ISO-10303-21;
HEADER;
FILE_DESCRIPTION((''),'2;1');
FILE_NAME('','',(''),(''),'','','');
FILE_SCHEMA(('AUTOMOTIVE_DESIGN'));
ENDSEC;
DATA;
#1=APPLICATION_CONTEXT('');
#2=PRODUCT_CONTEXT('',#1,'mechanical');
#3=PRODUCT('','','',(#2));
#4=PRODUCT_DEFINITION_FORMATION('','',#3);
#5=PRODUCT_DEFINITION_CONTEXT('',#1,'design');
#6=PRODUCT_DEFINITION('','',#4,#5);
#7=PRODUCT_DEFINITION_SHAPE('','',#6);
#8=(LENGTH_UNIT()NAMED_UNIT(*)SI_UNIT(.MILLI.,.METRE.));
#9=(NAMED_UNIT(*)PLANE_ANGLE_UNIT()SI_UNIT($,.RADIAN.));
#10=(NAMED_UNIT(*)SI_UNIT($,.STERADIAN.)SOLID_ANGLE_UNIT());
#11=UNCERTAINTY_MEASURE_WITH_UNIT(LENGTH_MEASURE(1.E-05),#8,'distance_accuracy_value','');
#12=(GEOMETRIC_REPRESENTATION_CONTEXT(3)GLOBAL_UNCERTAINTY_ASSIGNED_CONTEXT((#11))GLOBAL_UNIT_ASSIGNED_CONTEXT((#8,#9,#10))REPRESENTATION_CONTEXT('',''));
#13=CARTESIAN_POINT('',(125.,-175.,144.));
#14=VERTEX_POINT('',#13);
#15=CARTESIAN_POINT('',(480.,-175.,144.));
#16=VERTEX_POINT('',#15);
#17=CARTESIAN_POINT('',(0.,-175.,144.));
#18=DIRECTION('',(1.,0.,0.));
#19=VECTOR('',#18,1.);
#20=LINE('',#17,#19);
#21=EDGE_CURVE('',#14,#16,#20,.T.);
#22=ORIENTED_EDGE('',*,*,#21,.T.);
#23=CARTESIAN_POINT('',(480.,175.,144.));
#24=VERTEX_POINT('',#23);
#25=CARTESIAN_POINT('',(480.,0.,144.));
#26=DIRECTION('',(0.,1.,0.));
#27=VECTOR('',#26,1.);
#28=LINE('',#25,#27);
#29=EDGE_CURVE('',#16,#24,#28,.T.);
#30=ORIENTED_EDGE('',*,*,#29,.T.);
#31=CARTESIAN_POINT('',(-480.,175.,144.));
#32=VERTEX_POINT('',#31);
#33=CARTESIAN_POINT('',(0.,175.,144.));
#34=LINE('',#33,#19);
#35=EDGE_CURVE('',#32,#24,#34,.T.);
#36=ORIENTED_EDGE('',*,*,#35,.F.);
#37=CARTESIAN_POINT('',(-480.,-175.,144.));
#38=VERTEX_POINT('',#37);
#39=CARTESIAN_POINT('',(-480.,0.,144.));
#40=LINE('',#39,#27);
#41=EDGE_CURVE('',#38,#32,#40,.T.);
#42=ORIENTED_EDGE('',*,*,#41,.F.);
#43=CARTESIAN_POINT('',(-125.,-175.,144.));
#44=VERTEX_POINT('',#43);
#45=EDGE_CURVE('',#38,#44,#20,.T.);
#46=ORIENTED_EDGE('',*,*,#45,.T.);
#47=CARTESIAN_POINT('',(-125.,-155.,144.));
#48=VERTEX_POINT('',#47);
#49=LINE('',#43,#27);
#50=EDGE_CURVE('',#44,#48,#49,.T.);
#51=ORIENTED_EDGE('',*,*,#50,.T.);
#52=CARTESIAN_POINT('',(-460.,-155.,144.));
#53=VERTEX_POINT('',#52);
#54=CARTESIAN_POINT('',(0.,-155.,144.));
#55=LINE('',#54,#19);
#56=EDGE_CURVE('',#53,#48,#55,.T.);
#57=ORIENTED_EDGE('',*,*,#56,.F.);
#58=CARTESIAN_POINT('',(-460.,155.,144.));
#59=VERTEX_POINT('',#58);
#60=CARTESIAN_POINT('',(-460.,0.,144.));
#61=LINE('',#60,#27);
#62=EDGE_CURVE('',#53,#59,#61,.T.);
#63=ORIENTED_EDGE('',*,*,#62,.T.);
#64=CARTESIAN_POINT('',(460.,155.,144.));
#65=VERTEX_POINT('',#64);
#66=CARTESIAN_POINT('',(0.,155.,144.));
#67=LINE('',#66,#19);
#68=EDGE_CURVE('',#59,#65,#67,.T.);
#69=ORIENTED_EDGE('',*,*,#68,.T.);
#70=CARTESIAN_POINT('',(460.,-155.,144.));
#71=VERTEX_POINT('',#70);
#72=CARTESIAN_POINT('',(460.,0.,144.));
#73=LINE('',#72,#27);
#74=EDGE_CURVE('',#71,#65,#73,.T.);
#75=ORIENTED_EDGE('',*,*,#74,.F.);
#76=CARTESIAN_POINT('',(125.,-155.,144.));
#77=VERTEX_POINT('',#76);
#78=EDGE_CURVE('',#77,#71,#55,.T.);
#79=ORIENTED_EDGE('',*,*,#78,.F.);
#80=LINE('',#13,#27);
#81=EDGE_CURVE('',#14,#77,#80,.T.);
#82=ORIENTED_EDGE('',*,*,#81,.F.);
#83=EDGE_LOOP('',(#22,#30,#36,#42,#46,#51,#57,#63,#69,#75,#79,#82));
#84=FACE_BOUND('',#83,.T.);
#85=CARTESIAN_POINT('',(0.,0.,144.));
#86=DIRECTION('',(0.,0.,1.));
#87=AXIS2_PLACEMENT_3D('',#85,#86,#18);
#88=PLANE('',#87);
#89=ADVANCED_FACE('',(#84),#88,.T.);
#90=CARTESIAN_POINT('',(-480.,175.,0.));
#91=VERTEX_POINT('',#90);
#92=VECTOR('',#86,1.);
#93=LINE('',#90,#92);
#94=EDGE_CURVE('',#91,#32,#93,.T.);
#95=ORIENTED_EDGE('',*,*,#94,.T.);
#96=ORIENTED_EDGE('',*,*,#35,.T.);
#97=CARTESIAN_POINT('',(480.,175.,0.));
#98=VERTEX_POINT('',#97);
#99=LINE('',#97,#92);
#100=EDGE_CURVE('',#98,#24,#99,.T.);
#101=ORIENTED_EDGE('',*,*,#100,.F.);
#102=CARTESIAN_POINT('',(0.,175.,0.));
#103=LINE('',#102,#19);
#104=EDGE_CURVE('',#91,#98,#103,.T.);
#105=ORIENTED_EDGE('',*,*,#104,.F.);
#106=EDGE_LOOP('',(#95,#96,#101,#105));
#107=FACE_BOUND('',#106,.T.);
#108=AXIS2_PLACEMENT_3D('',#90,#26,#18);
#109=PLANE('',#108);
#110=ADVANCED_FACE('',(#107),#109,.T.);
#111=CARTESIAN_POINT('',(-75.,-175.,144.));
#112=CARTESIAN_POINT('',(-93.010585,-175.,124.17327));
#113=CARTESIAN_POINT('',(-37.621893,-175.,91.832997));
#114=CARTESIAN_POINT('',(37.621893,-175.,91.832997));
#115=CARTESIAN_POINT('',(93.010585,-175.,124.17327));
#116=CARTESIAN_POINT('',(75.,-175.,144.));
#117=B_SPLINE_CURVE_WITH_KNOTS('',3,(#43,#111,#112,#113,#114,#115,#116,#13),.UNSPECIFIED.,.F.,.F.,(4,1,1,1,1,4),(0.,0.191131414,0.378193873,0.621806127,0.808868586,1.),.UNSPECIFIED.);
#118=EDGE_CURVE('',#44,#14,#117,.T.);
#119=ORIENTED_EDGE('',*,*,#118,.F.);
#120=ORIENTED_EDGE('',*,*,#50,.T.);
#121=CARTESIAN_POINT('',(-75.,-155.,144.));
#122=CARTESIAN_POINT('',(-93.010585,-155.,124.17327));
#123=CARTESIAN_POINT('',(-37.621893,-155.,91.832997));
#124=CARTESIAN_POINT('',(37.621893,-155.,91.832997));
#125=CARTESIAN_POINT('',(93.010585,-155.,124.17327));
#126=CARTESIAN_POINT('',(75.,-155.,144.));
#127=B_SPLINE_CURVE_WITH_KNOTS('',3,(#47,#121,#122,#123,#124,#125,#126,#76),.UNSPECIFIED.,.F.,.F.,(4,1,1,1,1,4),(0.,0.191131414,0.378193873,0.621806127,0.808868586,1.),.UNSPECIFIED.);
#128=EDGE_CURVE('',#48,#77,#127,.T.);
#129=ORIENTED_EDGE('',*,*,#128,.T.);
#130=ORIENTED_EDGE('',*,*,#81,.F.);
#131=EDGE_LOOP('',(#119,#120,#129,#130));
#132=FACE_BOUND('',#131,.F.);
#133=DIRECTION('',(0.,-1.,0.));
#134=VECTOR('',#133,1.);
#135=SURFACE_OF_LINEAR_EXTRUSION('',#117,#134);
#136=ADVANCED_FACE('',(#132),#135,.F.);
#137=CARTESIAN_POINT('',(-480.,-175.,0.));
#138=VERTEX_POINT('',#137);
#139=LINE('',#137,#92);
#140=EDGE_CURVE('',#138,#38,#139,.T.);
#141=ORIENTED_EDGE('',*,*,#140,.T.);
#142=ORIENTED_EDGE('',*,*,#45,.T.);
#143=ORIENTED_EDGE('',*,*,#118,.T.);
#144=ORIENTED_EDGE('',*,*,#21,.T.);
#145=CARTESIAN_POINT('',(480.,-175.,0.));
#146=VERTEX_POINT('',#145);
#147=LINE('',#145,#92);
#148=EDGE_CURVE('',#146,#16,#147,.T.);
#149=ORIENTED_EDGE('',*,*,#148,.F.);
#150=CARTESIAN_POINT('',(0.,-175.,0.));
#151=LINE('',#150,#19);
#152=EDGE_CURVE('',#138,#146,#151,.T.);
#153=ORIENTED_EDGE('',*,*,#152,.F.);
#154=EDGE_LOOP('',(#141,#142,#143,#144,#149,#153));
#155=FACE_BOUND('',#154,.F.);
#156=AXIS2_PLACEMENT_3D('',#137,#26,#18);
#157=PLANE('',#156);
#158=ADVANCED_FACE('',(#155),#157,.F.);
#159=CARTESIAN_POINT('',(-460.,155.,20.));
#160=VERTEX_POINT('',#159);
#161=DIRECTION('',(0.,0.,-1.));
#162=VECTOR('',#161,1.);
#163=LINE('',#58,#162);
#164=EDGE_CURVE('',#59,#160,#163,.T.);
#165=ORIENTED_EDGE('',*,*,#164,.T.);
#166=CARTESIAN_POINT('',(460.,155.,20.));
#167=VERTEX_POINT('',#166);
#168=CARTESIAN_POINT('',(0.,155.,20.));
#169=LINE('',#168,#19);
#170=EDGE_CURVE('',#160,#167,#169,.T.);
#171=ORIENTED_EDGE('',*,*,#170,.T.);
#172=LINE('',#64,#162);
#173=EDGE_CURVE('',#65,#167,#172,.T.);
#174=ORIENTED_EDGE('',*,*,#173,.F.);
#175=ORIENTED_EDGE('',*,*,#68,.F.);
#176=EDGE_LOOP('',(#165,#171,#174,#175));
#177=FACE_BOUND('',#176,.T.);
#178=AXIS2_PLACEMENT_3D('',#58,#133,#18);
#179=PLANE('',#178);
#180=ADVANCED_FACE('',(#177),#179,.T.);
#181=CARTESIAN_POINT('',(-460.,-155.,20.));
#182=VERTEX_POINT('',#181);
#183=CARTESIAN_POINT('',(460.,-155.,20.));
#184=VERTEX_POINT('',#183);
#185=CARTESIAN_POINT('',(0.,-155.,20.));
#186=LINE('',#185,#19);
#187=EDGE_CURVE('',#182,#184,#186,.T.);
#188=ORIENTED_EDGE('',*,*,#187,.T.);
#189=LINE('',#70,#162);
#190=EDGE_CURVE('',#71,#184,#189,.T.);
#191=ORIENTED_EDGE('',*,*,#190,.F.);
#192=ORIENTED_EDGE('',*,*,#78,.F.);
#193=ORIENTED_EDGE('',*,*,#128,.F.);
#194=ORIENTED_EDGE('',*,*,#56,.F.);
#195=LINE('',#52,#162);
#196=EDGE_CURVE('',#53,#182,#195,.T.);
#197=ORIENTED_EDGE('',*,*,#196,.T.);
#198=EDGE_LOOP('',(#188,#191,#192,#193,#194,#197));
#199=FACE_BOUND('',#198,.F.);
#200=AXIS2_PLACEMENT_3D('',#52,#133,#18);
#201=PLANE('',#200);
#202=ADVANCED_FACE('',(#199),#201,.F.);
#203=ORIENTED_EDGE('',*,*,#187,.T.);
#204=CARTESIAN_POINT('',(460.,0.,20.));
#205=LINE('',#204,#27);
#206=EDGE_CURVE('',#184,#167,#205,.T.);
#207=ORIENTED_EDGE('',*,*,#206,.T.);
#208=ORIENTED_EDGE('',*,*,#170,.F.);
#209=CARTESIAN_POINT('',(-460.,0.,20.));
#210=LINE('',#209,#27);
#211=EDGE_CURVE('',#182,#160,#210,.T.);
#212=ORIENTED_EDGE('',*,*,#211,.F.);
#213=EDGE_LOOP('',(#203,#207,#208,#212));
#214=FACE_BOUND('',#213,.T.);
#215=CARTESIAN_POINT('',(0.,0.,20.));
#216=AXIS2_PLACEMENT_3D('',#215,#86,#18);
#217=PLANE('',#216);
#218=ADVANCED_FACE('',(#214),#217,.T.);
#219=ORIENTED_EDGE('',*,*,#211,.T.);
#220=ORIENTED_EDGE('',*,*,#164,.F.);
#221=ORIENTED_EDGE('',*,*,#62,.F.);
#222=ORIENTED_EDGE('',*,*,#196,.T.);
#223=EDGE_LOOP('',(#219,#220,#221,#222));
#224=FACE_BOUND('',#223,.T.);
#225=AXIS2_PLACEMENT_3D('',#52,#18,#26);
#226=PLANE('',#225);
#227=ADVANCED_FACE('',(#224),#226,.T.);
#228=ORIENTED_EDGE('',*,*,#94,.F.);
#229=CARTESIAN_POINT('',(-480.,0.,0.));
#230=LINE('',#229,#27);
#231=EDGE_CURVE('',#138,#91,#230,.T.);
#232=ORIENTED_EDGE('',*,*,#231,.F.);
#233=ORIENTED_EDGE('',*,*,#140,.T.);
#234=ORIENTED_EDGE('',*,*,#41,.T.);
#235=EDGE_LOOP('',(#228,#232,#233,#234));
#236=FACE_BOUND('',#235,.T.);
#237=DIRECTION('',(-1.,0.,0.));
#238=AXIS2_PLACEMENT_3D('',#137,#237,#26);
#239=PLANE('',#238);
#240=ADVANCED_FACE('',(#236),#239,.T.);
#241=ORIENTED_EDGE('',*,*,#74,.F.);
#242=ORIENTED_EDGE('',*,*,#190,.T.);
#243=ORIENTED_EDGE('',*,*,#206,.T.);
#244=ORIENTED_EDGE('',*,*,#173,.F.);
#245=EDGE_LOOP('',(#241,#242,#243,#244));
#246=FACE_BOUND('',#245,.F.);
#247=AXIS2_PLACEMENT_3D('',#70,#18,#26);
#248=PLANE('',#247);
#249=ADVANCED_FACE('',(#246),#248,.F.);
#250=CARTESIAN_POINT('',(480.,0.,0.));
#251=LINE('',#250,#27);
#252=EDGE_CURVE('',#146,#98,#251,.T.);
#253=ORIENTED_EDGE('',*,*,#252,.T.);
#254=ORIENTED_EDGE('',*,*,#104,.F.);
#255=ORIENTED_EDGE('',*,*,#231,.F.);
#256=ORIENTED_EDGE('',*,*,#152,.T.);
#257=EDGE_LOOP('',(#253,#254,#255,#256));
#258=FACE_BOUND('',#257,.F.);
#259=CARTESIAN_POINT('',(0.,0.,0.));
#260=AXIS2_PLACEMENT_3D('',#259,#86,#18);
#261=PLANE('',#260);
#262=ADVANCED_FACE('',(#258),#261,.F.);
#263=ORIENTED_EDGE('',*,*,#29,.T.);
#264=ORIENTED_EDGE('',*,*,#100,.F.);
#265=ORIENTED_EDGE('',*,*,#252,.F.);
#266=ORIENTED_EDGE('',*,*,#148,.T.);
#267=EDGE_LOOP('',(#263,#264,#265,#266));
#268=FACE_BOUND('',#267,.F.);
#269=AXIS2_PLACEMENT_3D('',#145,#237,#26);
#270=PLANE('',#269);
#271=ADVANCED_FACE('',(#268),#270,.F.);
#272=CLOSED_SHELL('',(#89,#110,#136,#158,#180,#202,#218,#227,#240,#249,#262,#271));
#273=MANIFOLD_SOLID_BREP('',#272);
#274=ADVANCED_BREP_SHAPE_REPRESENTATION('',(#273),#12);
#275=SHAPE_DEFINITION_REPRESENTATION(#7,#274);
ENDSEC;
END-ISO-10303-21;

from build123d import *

# Parameters (mm, degrees)
F0_W     = 960
F0_H     = 350
F1_DEPTH = 144
F2_W     = 920
F2_H     = 310
F3_DEPTH = 124
F5_DEPTH = 20


with BuildPart() as f1:
    # F0 (on Top) → F1 (new body)
    with BuildSketch(Plane.XY):
        Rectangle(F0_W, F0_H)
    extrude(amount=F1_DEPTH)

    # F2 (on face) → F3 (cut)
    with BuildSketch(Plane.XY.offset(144)):
        Rectangle(F2_W, F2_H)
    extrude(amount=-F3_DEPTH, mode=Mode.SUBTRACT)

    # F4 (on face) → F5 (cut)
    with BuildSketch(Plane.XZ.offset(175)):
        with BuildLine():
            Line((125, 144), (-125, 144))
            add(Edge.make_bspline(
                [(-125, 144), (-75, 144), (-93.0105845008, 124.1732701609), (-37.6218932166, 91.8329972806), (37.6218932166, 91.8329972806), (93.0105845008, 124.1732701609), (75, 144), (125, 144)],
                knots=[0, 0, 0, 0, 0.1911314136, 0.3781938731, 0.6218061269, 0.8088685864, 1, 1, 1, 1], degree=3))
        make_face()
    extrude(amount=-F5_DEPTH, mode=Mode.SUBTRACT)


solid = f1.part
